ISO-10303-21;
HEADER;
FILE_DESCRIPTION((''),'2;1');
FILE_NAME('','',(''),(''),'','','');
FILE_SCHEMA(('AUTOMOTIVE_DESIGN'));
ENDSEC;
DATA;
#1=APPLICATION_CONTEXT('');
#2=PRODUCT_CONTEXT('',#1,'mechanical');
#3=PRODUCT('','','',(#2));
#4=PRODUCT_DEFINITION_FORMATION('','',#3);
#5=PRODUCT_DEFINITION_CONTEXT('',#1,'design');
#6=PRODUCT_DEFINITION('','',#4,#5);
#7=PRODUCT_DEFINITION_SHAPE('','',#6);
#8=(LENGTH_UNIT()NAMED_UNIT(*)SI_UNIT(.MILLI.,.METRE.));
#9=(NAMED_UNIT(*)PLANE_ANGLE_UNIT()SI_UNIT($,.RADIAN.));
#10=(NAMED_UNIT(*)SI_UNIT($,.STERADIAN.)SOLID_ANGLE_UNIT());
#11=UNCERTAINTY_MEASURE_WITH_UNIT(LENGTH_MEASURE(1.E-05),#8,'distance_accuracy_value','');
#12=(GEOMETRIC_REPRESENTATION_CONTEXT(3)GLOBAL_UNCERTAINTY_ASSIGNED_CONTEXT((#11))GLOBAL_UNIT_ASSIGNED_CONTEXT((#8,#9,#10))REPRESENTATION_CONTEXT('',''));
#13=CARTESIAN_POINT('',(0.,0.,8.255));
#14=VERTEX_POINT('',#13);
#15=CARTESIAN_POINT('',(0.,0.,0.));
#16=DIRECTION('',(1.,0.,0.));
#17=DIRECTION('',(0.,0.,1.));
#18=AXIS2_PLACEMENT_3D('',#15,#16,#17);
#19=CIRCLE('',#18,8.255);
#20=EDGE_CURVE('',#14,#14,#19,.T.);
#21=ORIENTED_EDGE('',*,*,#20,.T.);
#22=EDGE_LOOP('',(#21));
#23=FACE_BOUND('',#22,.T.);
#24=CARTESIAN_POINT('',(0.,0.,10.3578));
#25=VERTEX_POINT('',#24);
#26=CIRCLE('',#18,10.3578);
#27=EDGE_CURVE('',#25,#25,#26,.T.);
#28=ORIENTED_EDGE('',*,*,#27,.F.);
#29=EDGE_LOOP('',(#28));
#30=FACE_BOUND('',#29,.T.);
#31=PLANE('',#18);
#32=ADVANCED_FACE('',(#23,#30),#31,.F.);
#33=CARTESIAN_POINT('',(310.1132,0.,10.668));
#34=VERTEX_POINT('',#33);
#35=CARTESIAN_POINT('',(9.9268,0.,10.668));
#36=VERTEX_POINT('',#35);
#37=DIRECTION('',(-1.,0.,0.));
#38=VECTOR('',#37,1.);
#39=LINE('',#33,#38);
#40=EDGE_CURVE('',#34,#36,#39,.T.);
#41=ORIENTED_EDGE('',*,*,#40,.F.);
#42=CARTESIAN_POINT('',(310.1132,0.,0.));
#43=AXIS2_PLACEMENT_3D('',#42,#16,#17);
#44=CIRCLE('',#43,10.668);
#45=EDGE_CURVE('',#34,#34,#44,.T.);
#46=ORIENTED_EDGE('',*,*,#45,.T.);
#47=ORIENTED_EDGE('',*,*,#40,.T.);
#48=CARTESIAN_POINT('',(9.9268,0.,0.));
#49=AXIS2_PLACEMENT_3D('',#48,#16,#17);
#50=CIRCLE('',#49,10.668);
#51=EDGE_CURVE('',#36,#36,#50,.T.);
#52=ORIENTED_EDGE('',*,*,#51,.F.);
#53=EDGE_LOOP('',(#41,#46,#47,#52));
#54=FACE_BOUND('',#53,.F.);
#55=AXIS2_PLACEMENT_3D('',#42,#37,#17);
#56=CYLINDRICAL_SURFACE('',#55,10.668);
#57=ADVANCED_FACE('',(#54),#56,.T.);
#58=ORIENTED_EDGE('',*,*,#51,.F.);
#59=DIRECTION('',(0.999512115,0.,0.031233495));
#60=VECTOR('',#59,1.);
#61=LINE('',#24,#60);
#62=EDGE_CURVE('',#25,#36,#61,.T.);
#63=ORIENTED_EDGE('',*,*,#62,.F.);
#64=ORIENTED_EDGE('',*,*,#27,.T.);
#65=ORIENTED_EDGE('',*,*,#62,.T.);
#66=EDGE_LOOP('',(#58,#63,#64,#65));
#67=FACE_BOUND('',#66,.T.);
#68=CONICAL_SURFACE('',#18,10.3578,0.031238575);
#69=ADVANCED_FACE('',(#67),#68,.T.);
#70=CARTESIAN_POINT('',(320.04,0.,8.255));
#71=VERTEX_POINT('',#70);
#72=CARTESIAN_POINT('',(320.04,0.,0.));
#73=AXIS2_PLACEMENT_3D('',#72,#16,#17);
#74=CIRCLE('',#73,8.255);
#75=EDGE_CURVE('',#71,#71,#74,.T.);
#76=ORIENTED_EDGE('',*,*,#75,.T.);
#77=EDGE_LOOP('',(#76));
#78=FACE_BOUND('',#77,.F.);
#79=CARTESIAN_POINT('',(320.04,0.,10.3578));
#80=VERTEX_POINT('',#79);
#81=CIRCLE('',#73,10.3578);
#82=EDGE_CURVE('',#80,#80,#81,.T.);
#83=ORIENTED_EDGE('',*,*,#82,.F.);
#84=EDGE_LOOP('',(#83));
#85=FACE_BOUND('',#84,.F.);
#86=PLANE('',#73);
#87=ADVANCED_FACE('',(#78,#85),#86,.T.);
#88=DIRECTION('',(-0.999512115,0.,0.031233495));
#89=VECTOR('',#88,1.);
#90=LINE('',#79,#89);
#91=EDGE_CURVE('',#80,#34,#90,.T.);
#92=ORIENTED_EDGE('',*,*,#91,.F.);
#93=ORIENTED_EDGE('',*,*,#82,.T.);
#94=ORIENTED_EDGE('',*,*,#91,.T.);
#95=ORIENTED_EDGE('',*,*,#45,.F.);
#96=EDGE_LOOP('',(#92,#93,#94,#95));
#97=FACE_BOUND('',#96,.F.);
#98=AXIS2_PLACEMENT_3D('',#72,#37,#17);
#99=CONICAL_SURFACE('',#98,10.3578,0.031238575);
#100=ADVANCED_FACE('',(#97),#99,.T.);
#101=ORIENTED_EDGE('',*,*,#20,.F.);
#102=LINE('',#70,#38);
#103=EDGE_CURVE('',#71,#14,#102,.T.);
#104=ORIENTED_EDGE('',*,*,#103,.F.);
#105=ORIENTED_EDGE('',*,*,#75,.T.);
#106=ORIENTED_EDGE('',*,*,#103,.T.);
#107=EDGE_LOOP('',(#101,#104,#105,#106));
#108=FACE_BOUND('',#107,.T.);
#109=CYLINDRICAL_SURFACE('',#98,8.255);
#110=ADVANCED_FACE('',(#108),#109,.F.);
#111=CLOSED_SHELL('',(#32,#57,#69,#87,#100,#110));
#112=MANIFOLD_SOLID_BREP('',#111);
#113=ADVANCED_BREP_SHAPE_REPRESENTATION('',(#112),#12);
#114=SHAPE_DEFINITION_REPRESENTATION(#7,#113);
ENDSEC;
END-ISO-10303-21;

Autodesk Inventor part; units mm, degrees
ref_plane "YZ Plane" through (0, 0, 0) normal (1, 0, 0) x (0, 1, 0)
ref_plane "XZ Plane" through (0, 0, 0) normal (0, 1, 0) x (-1, 0, 0)
ref_plane "XY Plane" through (0, 0, 0) normal (0, 0, 1) x (1, 0, 0)
sketch "Sketch1" plane through (0, 0, 0) normal (0, 1, 0) x (-1, 0, 0)
  line L0 (0, 0) -> (-320.04, 0)
  line L1 (-320.04, 0) -> (-320.04, 8.255) construction
  line L2 (-320.04, 8.255) -> (-320.04, 10.3578)
  line L3 (-320.04, 10.3578) -> (-310.1132, 10.668)
  line L4 (-310.1132, 10.668) -> (-9.9268, 10.668)
  line L5 (-160.02, 0) -> (-160.02, 10.668) construction
  line L6 (-320.04, 8.255) -> (0, 8.255)
  line L7 (0, 0) -> (0, 8.255) construction
  line L8 (0, 8.255) -> (0, 10.3578)
  line L9 (0, 10.3578) -> (-9.9268, 10.668)
  line L10 (-306.484, 10.7814) -> (-306.484, 0) construction
  line L11 (-13.556, 10.7814) -> (-13.556, 0) construction
  line L12 (-310.1132, 10.668) -> (-306.484, 10.7814) construction
  line L13 (-310.1132, 10.668) -> (-310.1132, 0) construction
  line L14 (-9.9268, 10.668) -> (-13.556, 10.7814) construction
  line L15 (-9.9268, 10.668) -> (-9.9268, 0) construction
  dimension "d0" = 21.336
  dimension "d1" = 1.79
  dimension "d2" = 16.51
  dimension "d3" = 320.04
  dimension "d4" = 13.556
  dimension "d5" = 21.5628
revolve "Revolution1" add sketch "Sketch1" angle 360 about axis through (0, 0, 0) along (1, 0, 0)
thread "Thread1" size "1/2" designation "1/2 - 14 NPT" standard "NPT" full length
thread "Thread2" size "1/2" designation "1/2 - 14 NPT" standard "NPT" full length
equation "\"d0\" = OD"
equation "\"d2\" = ID"
equation "\"d3\" = L"
equation "\"d4\" = L2"
equation "\"d5\" = D2"
equation "\"OD\" = 21.336"
equation "\"t\" = 2.413"
equation "\"L\" = PL"
equation "\"L4\" = 19.8501"
equation "\"ID\" = 16.51"
equation "\"PL\" = 320.04"
equation "\"D2\" = 21.56282"
equation "\"L2\" = 13.55598"
equation "\"Size_Designation\" = 1.2345"
equation "\"PLmin\" = 2 * L2"
properties material "Steel, Wrought"
